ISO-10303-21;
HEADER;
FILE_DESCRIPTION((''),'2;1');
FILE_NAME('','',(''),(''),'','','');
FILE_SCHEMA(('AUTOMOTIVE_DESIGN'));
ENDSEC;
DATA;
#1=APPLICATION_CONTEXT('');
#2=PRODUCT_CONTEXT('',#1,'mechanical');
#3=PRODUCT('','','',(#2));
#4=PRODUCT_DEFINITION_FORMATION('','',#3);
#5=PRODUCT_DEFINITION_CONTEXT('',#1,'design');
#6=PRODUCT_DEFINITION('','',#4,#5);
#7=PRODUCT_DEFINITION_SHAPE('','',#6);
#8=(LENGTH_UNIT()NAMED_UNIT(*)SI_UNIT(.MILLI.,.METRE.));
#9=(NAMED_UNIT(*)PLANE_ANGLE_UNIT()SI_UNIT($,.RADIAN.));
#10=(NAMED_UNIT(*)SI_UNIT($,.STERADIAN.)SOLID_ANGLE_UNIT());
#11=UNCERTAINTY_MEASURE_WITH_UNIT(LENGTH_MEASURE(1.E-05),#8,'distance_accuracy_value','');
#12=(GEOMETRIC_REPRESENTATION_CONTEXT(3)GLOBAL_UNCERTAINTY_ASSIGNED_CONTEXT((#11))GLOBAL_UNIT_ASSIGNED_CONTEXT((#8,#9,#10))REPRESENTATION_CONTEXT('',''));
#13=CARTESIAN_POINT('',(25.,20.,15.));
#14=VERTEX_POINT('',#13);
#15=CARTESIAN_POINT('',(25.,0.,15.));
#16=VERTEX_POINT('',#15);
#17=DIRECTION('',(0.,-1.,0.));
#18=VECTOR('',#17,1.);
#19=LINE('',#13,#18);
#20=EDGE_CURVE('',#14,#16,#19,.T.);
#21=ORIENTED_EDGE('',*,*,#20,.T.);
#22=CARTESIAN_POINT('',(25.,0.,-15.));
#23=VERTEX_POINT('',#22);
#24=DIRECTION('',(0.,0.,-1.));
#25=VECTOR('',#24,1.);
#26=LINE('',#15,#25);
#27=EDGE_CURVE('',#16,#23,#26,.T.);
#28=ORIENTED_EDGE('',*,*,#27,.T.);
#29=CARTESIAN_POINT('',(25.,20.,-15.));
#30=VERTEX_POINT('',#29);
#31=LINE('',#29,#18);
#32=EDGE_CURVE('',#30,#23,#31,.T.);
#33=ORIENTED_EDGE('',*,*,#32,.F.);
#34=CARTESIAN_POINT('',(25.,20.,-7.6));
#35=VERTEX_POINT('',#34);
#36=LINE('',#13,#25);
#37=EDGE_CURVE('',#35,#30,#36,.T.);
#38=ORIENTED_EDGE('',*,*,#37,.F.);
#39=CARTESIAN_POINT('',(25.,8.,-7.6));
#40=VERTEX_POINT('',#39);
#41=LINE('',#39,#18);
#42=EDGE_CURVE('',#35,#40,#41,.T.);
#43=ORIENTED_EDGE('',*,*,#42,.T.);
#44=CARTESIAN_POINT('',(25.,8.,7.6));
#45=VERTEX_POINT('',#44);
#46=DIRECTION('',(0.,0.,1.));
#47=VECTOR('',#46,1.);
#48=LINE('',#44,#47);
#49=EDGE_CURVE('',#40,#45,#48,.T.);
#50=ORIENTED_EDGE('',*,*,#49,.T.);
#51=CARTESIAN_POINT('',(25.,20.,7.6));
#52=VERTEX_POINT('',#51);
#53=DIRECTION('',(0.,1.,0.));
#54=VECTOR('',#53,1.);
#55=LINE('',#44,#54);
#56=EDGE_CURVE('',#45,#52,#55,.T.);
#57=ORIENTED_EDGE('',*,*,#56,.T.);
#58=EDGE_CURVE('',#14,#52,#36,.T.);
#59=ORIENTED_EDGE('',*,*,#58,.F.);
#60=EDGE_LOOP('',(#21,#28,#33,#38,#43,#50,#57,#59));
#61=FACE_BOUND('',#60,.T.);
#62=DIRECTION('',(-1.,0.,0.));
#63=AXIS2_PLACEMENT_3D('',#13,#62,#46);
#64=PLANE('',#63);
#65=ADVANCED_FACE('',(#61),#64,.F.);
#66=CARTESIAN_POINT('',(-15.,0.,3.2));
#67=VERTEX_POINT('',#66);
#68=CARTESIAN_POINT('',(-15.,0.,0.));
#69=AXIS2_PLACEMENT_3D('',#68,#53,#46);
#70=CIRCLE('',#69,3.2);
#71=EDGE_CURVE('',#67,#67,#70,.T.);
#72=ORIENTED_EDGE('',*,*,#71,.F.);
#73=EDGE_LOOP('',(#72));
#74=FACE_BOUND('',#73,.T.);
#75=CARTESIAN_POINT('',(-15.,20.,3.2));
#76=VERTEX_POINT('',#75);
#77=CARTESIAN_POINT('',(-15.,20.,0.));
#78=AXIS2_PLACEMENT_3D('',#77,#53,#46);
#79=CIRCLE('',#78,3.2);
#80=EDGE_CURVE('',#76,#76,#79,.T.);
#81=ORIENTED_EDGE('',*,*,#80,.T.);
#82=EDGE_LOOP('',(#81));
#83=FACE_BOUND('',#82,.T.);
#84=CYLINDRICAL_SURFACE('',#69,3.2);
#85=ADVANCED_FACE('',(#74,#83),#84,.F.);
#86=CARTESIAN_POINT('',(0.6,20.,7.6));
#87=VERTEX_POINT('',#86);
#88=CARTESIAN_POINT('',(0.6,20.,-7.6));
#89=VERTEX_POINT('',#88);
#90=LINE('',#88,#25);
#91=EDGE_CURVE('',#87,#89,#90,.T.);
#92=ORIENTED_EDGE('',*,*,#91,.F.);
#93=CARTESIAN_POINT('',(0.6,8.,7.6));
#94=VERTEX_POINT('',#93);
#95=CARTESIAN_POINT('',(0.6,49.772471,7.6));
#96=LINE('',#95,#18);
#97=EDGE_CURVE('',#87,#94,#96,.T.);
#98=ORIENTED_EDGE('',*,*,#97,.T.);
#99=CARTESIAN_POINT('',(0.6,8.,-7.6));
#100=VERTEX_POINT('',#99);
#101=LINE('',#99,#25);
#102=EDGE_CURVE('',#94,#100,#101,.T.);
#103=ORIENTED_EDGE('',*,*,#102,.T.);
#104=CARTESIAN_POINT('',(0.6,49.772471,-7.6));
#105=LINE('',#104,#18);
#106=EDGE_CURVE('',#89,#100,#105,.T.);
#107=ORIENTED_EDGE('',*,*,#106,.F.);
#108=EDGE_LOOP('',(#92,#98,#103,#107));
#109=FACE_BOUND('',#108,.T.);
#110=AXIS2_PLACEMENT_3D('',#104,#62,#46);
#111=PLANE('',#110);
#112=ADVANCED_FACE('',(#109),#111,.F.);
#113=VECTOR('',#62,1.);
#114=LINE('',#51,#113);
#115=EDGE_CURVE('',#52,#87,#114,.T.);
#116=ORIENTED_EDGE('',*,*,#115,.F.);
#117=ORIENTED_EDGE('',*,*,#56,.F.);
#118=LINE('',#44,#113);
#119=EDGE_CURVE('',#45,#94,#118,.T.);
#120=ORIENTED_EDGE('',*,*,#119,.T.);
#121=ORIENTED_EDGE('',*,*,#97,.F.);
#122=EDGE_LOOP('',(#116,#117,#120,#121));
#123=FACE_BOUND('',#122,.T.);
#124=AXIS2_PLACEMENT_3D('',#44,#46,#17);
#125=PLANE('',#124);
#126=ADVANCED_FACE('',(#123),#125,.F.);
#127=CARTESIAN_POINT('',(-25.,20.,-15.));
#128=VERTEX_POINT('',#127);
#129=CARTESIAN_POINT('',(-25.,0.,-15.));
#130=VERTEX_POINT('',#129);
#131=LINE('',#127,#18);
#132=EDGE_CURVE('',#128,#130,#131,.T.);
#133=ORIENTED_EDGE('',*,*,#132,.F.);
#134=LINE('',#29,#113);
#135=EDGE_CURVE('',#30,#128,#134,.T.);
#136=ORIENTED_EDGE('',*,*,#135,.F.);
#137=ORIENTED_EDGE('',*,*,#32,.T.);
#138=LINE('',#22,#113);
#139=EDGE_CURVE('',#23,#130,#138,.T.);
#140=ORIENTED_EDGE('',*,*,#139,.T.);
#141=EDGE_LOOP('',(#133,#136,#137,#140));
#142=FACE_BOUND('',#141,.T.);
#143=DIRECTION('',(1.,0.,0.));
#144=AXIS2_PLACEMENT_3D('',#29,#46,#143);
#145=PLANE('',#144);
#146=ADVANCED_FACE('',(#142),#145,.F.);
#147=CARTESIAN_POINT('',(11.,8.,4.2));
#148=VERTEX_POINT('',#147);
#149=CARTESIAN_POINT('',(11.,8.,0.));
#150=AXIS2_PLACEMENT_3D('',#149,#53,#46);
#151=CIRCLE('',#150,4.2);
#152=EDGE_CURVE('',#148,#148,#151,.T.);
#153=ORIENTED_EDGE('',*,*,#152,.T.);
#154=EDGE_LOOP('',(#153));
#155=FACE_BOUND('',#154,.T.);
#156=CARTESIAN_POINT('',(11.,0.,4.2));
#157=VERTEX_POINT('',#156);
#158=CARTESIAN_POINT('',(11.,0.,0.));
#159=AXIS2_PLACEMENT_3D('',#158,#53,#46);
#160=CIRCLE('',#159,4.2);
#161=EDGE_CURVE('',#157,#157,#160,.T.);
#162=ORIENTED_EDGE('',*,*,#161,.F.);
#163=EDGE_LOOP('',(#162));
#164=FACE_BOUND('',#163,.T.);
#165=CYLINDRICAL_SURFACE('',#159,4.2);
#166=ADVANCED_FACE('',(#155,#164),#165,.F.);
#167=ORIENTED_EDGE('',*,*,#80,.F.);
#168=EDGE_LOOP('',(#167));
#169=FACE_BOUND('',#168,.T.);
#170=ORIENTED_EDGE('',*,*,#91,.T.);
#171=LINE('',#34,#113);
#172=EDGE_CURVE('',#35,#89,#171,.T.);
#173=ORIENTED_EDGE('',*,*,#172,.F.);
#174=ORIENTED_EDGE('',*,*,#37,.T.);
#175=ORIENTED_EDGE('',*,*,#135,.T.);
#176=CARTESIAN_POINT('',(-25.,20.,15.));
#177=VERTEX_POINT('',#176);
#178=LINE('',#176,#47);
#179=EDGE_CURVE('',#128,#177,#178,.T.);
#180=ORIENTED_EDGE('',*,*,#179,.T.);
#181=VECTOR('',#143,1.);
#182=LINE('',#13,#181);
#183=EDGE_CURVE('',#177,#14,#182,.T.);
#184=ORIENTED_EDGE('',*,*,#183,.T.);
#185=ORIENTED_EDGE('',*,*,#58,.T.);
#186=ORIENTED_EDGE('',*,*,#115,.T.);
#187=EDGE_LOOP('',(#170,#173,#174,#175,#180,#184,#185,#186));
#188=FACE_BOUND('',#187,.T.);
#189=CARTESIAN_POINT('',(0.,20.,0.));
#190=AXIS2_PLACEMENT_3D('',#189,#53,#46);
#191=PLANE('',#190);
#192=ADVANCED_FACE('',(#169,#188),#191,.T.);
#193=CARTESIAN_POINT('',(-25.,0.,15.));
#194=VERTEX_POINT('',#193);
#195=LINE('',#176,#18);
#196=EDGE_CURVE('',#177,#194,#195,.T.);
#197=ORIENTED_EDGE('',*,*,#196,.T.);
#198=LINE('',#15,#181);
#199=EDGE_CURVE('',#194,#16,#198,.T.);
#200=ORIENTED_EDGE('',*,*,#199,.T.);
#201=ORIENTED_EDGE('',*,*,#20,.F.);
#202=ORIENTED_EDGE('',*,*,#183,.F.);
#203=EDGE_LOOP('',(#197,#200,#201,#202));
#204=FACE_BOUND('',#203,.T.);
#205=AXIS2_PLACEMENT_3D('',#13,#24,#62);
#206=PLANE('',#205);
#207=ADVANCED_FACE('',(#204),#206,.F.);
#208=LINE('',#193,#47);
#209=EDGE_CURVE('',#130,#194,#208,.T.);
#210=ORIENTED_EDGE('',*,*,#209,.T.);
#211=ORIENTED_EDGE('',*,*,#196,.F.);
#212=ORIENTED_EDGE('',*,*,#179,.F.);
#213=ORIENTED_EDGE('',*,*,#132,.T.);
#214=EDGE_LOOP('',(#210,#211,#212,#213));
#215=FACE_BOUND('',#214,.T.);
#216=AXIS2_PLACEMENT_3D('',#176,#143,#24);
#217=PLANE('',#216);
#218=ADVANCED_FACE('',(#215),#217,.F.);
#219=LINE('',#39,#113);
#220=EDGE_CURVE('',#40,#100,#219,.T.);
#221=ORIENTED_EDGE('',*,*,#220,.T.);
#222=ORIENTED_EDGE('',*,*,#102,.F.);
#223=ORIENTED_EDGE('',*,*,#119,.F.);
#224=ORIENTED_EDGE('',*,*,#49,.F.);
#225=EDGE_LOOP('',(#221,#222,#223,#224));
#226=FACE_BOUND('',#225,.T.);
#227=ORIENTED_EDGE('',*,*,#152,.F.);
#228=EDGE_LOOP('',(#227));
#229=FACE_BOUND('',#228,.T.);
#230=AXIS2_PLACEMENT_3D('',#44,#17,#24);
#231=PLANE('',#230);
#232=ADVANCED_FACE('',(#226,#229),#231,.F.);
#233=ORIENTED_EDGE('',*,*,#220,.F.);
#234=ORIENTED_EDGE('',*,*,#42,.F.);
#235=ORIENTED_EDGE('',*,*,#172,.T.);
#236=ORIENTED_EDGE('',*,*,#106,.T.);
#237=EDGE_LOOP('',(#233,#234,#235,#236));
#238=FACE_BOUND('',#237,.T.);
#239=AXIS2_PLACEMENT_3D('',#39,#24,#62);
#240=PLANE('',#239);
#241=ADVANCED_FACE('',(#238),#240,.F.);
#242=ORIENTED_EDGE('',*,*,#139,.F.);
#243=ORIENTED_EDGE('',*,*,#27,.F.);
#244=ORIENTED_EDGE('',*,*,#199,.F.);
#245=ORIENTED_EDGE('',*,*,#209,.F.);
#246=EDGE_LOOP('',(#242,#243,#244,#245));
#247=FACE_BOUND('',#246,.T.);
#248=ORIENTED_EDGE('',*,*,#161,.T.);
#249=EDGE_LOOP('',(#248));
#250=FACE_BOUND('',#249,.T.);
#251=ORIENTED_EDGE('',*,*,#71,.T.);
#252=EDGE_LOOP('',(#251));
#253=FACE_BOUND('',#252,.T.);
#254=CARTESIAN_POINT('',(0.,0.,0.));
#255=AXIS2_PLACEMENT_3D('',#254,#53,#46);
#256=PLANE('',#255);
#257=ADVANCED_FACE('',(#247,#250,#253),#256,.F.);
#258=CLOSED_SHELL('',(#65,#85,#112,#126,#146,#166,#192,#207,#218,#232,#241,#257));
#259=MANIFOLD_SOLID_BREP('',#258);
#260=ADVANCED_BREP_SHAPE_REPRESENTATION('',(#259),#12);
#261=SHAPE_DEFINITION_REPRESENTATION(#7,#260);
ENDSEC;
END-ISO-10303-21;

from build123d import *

# Parameters (mm, degrees)
SKETCH1_W           = 50
SKETCH1_H           = 30
BOSS_EXTRUDE1_DEPTH = 20
SKETCH3_W           = 15.2
SKETCH3_H           = 12
CUT_EXTRUDE1_DEPTH  = 51
SKETCH5_R           = 4.2
SKETCH5_R_2         = 3.2
CUT_EXTRUDE2_DEPTH  = 9
SKETCH6_W           = 25.6
SKETCH6_H           = 15.2
SKETCH6_R           = 3.2
BOSS_EXTRUDE2_DEPTH = 12


with BuildPart() as part:
    # Sketch1 → Boss-Extrude1 (new body)
    with BuildSketch(Plane(origin=(0, 0, 0), x_dir=(1, 0, 0), z_dir=(0, 1, 0))):
        Rectangle(SKETCH1_W, SKETCH1_H)
    extrude(amount=BOSS_EXTRUDE1_DEPTH)

    # Sketch3 → Cut-Extrude1 (cut, through all)
    with BuildSketch(Plane.ZY.offset(25)):
        with Locations((0, 14)):
            Rectangle(SKETCH3_W, SKETCH3_H)
    extrude(amount=-CUT_EXTRUDE1_DEPTH, mode=Mode.SUBTRACT)

    # Sketch5 → Cut-Extrude2 (cut, through all)
    with BuildSketch(Plane(origin=(0, 8, 0), x_dir=(1, 0, 0), z_dir=(0, 1, 0))):
        with Locations((11, 0)):
            Circle(SKETCH5_R)
        with Locations((-15, 0)):
            Circle(SKETCH5_R_2)
    extrude(amount=-CUT_EXTRUDE2_DEPTH, mode=Mode.SUBTRACT)

    # Sketch6 → Boss-Extrude2 (add)
    with BuildSketch(Plane(origin=(0, 8, 0), x_dir=(1, 0, 0), z_dir=(0, 1, 0))):
        with Locations((-12.2, 0)):
            Rectangle(SKETCH6_W, SKETCH6_H)
        with Locations((-15, 0)):
            Circle(SKETCH6_R, mode=Mode.SUBTRACT)
    extrude(amount=BOSS_EXTRUDE2_DEPTH)


solid = part.part
